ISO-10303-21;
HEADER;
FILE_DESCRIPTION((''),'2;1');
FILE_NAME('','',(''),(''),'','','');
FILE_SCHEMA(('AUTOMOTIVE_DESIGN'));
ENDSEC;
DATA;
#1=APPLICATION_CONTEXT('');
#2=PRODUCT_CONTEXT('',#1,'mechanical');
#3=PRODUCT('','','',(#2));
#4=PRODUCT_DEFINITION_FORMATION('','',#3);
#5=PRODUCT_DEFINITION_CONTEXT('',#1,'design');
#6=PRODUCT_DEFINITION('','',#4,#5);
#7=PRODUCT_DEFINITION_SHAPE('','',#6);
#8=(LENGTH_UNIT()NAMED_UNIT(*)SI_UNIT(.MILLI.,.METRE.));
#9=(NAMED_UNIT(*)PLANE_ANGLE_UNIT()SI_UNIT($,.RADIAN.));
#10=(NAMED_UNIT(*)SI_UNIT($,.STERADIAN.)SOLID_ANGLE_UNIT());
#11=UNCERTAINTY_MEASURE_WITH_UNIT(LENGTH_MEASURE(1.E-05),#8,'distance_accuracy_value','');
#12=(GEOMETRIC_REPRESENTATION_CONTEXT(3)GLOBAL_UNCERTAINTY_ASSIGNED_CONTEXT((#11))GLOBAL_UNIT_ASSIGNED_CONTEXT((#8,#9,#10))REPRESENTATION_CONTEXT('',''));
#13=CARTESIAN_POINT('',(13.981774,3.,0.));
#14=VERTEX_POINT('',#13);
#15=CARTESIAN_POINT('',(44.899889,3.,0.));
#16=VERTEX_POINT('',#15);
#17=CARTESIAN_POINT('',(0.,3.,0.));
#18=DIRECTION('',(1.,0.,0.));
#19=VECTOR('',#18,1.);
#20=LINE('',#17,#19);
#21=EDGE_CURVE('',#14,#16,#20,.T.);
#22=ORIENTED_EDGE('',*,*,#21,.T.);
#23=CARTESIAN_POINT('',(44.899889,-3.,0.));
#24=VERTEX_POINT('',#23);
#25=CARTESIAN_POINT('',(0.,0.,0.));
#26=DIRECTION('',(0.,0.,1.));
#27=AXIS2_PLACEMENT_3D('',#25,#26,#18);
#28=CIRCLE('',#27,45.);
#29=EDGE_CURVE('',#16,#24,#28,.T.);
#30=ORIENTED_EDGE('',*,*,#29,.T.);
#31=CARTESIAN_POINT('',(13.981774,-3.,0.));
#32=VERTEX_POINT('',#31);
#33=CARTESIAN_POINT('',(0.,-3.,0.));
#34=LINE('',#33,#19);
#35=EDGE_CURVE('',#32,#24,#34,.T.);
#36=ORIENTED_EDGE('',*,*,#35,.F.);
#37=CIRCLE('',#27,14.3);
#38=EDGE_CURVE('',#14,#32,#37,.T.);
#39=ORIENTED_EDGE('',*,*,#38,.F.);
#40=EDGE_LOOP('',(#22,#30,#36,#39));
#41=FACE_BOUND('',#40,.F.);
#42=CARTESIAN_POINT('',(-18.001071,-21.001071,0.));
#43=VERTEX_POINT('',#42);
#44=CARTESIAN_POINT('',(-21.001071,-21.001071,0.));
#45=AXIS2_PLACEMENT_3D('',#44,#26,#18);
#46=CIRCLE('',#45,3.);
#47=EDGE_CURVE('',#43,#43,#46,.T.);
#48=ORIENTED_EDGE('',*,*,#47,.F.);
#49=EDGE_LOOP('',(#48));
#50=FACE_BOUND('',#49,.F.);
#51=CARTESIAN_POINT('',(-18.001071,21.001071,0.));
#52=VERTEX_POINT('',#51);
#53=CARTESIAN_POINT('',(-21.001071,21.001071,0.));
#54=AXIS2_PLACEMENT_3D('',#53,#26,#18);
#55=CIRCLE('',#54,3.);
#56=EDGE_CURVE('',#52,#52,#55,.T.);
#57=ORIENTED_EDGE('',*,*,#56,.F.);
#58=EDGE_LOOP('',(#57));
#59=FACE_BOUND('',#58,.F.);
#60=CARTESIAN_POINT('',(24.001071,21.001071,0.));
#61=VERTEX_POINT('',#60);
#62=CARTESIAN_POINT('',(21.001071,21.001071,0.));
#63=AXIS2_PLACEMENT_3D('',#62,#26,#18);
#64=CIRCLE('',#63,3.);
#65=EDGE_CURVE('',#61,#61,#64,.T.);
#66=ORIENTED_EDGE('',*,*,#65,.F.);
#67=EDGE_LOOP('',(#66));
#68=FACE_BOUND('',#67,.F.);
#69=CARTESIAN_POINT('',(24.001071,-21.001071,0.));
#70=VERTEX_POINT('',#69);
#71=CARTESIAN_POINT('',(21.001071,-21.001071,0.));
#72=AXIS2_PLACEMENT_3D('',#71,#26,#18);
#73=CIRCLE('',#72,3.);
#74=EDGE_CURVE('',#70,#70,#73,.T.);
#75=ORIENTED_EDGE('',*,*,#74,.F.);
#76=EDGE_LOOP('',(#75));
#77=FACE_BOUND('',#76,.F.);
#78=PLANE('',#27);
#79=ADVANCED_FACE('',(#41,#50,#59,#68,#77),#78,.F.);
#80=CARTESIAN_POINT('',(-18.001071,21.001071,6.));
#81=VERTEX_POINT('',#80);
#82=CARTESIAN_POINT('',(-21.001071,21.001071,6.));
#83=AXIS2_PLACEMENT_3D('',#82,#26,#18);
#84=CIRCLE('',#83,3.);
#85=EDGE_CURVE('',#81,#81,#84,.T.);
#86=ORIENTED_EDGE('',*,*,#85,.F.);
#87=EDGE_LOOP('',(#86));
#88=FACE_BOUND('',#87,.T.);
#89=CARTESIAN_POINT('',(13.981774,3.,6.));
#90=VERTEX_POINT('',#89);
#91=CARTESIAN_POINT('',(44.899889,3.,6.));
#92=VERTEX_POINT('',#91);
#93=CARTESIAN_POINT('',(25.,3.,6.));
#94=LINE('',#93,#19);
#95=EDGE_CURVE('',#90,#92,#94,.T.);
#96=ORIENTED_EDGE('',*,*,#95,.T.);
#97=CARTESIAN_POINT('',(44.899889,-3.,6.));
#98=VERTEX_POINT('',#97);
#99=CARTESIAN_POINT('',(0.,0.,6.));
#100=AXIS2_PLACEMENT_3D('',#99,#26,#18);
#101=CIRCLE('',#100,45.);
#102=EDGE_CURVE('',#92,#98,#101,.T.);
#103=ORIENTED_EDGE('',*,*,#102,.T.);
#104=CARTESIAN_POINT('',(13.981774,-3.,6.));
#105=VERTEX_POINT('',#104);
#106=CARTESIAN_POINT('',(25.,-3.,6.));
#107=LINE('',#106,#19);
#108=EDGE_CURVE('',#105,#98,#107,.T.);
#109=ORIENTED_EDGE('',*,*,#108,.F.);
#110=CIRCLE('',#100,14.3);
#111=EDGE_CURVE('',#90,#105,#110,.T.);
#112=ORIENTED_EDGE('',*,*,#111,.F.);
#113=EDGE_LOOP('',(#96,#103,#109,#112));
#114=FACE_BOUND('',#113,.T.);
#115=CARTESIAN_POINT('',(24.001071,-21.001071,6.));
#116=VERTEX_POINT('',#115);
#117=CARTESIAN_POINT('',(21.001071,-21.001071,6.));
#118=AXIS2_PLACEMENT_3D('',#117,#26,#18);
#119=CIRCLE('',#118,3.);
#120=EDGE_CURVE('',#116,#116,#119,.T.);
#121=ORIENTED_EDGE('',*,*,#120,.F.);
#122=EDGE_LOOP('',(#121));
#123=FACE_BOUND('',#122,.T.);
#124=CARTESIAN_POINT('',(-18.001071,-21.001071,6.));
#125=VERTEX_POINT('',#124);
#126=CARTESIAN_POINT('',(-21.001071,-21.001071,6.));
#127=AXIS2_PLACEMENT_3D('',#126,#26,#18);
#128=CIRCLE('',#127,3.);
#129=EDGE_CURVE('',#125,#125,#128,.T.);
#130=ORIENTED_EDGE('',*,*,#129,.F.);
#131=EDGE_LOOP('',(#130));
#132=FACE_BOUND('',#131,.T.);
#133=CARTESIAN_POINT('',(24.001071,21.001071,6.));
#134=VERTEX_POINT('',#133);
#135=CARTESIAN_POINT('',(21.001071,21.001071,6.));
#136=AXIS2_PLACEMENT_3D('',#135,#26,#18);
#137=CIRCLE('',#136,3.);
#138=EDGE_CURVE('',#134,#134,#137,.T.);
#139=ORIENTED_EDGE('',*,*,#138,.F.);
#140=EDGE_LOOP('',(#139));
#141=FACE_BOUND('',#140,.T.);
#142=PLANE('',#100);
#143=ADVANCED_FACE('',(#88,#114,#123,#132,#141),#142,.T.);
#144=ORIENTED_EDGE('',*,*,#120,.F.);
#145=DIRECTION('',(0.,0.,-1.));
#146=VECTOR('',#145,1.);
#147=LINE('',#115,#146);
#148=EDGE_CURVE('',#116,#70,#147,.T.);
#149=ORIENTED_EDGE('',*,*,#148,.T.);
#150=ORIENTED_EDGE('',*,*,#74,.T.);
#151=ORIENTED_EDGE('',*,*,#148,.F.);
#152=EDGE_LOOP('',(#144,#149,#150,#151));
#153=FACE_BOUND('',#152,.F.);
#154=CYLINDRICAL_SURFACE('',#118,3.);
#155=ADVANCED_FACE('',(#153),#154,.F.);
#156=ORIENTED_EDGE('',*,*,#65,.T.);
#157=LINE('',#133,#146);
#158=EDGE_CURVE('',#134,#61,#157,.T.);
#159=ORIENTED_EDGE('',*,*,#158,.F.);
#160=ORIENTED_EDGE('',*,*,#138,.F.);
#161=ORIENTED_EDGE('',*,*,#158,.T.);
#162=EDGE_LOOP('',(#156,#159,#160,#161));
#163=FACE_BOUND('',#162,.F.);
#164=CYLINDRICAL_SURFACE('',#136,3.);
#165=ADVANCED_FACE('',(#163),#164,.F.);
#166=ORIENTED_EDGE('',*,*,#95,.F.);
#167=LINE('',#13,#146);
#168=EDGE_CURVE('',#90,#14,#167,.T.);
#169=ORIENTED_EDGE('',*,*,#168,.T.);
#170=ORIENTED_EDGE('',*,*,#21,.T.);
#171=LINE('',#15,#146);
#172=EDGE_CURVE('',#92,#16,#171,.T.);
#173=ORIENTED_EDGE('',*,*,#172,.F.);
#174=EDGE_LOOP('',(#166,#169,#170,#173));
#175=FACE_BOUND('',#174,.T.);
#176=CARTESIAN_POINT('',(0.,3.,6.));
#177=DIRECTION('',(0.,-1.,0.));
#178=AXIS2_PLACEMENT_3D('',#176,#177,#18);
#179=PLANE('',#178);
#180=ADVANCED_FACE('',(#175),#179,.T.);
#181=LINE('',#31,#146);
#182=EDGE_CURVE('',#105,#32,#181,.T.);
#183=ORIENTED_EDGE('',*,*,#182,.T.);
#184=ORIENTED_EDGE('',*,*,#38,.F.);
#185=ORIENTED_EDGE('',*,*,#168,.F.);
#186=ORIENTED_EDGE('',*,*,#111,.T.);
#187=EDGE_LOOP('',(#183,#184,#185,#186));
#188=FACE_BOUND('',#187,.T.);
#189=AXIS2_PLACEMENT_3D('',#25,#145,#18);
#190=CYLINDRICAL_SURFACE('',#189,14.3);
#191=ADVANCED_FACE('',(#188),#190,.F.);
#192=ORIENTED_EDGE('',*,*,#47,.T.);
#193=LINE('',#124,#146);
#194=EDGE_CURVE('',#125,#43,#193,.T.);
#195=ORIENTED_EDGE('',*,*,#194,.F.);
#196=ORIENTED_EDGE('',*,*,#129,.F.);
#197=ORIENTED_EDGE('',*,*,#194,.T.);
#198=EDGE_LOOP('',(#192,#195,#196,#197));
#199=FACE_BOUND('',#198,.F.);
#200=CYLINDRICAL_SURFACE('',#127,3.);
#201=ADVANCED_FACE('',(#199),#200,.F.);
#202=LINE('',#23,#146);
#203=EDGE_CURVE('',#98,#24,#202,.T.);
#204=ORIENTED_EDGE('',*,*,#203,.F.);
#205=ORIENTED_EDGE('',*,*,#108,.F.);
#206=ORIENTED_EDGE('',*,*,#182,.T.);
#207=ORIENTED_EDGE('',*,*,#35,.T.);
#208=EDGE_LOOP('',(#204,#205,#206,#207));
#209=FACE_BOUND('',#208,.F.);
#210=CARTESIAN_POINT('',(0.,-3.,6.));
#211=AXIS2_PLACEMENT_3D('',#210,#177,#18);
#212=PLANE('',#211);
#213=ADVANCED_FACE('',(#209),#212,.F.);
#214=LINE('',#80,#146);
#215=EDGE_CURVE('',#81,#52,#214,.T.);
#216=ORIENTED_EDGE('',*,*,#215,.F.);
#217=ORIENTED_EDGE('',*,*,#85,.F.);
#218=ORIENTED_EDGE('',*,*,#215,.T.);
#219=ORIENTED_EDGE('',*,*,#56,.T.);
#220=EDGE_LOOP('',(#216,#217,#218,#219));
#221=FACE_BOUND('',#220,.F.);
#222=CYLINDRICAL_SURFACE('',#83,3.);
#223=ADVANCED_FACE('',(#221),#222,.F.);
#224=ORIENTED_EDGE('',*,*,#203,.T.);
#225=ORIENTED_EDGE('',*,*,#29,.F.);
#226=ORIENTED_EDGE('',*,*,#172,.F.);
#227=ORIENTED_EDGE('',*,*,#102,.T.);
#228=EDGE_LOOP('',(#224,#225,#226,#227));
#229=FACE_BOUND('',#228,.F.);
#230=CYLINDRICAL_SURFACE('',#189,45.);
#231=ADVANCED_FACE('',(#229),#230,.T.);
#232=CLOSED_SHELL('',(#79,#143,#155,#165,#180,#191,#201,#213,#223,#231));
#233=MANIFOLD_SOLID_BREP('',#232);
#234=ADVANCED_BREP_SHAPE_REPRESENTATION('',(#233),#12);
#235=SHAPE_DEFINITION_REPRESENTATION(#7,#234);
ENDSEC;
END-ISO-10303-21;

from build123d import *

# Parameters (mm, degrees)
SKETCH_R        = 45
SKETCH_R_2      = 14.3
PAD_DEPTH       = 6
SKETCH001_R     = 3
POCKET_DEPTH    = 10
SKETCH002_W     = 50
SKETCH002_H     = 6
POCKET001_DEPTH = 10


with BuildPart() as part:
    # Sketch → Pad (new body)
    with BuildSketch(Plane.XY):
        Circle(SKETCH_R)
        Circle(SKETCH_R_2, mode=Mode.SUBTRACT)
    extrude(amount=PAD_DEPTH)

    # Sketch001 → Pocket (cut)
    with BuildSketch(Plane.XY.offset(6)):
        with Locations((-21.001071, 21.001071)):
            Circle(SKETCH001_R)
        with Locations((21.001071, 21.001071)):
            Circle(SKETCH001_R)
        with Locations((-21.001071, -21.001071)):
            Circle(SKETCH001_R)
        with Locations((21.001071, -21.001071)):
            Circle(SKETCH001_R)
    extrude(amount=-POCKET_DEPTH, mode=Mode.SUBTRACT)

    # Sketch002 → Pocket001 (cut)
    with BuildSketch(Plane.XY.offset(6)):
        with Locations((25, 0)):
            Rectangle(SKETCH002_W, SKETCH002_H)
    extrude(amount=-POCKET001_DEPTH, mode=Mode.SUBTRACT)


solid = part.part
